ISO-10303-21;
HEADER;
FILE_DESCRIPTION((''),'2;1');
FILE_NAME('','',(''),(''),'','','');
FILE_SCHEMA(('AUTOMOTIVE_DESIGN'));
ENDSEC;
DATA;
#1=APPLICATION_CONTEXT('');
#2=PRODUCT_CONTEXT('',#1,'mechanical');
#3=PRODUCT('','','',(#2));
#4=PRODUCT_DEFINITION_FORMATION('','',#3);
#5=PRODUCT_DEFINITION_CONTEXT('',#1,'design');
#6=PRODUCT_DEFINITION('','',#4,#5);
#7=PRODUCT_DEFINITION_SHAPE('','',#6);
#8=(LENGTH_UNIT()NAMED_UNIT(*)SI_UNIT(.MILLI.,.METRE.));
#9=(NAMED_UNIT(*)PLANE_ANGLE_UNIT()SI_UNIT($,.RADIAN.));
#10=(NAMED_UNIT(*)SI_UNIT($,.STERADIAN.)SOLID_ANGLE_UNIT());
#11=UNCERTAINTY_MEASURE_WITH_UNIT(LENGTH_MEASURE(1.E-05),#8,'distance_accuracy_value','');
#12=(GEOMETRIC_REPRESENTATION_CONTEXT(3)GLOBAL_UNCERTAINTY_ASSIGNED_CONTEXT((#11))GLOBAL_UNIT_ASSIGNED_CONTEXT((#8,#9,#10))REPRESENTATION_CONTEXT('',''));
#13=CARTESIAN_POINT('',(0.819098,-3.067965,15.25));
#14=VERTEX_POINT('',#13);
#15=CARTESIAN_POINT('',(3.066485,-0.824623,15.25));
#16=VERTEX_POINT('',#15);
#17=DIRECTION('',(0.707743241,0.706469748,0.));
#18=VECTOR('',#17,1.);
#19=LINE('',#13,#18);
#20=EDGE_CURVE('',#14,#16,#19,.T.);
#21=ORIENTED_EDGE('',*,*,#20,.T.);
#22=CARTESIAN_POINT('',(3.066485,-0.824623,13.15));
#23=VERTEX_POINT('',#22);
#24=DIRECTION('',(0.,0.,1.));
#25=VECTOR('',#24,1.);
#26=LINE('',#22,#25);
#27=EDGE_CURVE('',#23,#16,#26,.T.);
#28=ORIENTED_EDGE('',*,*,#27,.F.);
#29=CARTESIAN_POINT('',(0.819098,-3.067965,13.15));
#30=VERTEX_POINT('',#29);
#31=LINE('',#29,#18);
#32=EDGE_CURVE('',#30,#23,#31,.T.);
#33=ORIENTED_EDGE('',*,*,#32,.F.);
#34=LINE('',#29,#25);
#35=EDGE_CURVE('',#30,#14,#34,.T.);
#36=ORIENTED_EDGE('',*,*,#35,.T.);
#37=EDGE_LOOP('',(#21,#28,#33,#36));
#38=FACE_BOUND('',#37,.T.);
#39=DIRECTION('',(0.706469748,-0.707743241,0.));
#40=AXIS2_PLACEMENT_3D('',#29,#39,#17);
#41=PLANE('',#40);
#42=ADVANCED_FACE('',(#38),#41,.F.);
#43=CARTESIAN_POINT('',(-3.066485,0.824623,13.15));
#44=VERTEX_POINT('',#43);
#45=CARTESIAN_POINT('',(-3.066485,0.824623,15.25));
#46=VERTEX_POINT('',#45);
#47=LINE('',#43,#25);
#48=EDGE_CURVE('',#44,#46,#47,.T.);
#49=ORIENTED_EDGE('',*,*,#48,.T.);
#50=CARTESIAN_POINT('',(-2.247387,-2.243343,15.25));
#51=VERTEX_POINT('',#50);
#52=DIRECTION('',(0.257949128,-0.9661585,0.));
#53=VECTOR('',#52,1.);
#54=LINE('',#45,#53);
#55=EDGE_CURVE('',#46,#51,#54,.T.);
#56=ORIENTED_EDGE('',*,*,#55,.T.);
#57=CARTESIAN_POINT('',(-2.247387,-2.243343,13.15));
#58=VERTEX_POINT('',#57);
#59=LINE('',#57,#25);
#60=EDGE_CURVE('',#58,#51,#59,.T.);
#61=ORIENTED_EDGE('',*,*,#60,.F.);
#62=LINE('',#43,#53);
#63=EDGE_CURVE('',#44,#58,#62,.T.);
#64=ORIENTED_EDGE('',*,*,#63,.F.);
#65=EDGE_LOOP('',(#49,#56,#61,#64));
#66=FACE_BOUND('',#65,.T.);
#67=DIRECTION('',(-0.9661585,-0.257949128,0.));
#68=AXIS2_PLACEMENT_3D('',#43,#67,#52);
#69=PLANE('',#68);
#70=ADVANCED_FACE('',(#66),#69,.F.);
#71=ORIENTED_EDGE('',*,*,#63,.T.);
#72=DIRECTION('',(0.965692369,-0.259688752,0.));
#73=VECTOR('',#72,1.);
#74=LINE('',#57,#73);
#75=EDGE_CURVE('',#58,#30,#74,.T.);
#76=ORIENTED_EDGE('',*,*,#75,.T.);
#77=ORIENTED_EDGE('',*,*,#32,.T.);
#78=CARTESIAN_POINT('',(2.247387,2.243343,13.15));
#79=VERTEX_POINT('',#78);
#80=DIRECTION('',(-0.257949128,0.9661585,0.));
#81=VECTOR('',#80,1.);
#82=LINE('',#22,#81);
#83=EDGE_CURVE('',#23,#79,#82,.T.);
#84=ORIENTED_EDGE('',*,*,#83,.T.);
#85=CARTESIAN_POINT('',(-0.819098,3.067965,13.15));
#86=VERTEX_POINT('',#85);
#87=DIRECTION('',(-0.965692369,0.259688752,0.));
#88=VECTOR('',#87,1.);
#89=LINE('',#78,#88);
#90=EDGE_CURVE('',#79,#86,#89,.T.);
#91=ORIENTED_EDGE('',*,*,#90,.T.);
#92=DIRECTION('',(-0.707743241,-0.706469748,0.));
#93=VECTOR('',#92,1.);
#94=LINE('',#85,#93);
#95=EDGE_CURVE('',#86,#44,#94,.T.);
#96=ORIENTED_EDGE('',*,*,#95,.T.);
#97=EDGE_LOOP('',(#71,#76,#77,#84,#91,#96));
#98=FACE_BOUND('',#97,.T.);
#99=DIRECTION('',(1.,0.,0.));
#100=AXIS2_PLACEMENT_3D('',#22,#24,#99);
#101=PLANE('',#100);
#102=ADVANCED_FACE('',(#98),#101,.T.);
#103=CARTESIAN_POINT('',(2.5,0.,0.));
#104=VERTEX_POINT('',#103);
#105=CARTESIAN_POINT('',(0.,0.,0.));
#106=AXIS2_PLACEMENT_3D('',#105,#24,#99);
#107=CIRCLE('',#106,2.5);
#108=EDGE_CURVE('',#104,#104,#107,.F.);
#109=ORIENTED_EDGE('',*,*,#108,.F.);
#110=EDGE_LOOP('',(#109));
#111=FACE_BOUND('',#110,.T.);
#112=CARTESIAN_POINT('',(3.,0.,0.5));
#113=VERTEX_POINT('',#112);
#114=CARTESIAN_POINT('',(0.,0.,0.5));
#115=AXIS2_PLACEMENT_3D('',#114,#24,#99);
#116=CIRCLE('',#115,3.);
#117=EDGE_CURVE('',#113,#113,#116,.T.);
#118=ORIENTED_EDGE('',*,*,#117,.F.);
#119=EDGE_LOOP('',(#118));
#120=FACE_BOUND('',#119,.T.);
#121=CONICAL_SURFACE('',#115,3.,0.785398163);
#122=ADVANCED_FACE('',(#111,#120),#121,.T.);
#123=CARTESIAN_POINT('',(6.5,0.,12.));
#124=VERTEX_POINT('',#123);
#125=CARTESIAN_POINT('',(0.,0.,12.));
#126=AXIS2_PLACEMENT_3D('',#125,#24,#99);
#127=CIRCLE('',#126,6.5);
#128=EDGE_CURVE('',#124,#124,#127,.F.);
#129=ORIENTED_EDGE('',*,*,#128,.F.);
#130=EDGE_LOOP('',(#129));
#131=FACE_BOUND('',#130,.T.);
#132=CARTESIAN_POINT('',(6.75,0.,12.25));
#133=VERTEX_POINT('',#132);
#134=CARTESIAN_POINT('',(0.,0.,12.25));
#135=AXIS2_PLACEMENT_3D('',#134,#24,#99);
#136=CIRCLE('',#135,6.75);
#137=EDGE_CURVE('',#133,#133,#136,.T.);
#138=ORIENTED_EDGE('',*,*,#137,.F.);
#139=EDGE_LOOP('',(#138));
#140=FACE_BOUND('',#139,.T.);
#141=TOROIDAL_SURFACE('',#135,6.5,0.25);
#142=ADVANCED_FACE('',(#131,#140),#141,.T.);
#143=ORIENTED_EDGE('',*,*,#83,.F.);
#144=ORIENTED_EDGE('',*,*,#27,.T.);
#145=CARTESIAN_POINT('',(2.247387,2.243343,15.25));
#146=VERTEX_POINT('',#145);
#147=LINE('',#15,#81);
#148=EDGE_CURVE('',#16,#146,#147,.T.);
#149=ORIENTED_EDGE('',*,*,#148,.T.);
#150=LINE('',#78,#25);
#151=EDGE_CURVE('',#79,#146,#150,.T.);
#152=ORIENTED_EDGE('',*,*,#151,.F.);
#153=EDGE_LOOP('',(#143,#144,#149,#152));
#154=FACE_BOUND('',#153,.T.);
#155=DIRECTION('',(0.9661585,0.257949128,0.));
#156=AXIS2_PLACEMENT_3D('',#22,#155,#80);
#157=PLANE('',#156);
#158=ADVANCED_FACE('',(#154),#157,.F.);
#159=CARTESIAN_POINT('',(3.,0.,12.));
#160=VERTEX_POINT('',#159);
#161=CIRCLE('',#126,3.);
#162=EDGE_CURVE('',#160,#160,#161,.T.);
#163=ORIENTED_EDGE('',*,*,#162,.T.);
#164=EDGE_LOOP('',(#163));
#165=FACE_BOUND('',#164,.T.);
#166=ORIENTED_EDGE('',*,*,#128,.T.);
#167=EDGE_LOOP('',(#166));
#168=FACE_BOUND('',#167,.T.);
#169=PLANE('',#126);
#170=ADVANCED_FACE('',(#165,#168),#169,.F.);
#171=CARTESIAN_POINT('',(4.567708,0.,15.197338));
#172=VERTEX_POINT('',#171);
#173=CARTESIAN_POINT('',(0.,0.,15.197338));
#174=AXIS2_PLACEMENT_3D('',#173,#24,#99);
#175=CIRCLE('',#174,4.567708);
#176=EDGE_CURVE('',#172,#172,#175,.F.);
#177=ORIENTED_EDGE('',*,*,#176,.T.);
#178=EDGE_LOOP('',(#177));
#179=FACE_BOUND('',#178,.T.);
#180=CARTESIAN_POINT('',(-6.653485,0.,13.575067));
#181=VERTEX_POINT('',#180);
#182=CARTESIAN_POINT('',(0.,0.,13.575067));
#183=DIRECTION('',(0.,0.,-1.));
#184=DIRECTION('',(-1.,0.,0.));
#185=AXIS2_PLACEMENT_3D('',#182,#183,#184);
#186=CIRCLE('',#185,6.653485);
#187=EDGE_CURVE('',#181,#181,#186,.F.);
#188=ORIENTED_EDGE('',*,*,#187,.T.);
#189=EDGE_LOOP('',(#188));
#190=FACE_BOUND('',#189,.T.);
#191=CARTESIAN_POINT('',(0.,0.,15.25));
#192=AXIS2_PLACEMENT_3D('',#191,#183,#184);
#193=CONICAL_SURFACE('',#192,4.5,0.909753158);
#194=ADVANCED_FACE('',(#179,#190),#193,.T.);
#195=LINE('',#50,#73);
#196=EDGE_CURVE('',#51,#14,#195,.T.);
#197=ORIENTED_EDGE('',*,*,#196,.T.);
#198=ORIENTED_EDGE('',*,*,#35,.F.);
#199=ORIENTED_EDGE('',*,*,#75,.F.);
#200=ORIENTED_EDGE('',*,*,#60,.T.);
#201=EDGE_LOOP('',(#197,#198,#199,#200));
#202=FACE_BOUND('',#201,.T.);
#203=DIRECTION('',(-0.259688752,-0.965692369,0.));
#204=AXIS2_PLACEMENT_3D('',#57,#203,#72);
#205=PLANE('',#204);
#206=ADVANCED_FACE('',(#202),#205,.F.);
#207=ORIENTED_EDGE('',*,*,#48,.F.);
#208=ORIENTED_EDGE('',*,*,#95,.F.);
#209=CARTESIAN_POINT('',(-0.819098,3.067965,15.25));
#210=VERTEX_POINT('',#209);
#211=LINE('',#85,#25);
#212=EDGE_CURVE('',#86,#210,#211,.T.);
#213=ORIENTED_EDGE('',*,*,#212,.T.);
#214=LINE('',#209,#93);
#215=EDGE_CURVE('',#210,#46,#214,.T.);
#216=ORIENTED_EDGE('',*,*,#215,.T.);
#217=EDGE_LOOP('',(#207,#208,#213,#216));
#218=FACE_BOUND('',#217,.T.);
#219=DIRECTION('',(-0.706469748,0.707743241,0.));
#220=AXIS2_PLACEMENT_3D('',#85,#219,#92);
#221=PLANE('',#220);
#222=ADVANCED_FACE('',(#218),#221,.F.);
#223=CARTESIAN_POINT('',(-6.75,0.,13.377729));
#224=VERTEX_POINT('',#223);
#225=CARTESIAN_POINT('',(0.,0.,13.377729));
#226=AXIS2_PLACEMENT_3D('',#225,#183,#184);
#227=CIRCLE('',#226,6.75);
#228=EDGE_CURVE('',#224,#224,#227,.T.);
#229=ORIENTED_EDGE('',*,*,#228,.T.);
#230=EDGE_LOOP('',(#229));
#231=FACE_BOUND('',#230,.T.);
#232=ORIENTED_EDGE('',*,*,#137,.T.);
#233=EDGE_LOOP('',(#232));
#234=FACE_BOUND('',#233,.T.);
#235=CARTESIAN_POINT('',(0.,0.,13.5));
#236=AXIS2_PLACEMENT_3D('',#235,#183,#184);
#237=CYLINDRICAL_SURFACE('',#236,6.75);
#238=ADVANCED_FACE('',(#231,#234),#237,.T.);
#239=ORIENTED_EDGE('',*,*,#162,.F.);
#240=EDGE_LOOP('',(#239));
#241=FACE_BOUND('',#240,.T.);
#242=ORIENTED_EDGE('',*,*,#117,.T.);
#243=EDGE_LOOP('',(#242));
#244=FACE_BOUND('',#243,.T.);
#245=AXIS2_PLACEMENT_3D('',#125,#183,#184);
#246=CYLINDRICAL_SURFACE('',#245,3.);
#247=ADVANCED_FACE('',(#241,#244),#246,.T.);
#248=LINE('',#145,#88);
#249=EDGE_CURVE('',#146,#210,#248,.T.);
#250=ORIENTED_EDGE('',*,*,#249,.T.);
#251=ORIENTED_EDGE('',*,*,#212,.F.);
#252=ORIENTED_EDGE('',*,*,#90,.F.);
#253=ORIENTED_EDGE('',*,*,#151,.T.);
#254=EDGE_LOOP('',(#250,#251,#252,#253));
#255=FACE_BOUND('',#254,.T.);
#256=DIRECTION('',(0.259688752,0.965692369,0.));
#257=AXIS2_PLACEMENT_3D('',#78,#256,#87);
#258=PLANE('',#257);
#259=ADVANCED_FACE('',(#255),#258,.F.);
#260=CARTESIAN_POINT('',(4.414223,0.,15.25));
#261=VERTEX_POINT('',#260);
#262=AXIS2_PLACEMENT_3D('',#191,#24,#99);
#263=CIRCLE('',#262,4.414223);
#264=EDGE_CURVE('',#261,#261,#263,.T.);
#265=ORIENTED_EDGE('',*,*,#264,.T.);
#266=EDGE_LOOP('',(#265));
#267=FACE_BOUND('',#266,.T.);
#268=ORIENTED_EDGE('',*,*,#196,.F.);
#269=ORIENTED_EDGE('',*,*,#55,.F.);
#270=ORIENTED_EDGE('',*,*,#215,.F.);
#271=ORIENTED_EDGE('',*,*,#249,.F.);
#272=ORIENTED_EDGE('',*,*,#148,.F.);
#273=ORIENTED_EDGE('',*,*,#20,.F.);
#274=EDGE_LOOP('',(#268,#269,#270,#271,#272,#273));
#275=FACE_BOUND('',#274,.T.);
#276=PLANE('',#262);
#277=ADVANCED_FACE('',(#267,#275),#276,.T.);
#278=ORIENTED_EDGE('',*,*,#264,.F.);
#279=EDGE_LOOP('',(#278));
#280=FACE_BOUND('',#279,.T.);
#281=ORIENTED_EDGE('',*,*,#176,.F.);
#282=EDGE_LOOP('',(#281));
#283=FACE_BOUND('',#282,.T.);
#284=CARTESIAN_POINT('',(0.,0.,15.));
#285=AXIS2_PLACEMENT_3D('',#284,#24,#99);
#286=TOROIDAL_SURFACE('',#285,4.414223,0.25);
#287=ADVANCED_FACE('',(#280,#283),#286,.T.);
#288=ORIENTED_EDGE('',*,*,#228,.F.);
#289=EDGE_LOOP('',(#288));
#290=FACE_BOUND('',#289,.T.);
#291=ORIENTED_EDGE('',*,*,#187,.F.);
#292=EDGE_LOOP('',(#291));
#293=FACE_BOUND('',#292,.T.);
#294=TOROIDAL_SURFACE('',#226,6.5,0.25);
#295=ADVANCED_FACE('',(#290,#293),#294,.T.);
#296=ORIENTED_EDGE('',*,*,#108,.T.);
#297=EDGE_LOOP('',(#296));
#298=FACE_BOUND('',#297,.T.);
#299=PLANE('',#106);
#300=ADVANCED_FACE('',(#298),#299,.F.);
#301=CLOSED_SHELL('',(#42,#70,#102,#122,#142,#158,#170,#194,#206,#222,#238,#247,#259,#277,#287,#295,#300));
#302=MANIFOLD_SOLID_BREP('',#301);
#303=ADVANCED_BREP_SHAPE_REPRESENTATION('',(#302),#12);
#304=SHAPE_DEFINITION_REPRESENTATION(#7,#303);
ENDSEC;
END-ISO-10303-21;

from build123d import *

# Parameters (mm, degrees)
SKETCH1_R           = 3
BOSS_EXTRUDE1_DEPTH = 12
SKETCH2_R           = 6.75
BOSS_EXTRUDE2_DEPTH = 1.5
SKETCH3_R           = 4.5
FILLET1_R           = 0.25
CUT_EXTRUDE1_DEPTH  = 2.1
CHAMFER2_SIZE       = 0.5


with BuildPart() as part:
    # Sketch1 → Boss-Extrude1 (new body)
    with BuildSketch(Plane.XY):
        Circle(SKETCH1_R)
    extrude(amount=BOSS_EXTRUDE1_DEPTH)

    # Sketch2 → Boss-Extrude2 (add)
    with BuildSketch(Plane.XY.offset(12)):
        Circle(SKETCH2_R)
    extrude(amount=BOSS_EXTRUDE2_DEPTH)

    # Sketch3 → section 1 of loft1
    with BuildSketch(Plane.XY.offset(15.25), mode=Mode.PRIVATE) as loft1_s1:
        Circle(SKETCH3_R)
    # loft up to a face of the part (loft1)
    loft([Face(Wire([part.edges().sort_by_distance((-4.620692965, 4.920538235, 13.5))[0]])), loft1_s1.sketch])

    # Fillet1
    fillet1_edges = [part.edges().sort_by_distance(p)[0] for p in [
        (-6.75, 0, 12),
        (-6.75, 0, 13.5),
        (-4.5, 0, 15.25),
    ]]
    fillet(fillet1_edges, radius=FILLET1_R)

    # Sketch6 → Cut-Extrude1 (cut)
    with BuildSketch(Plane.XY.offset(15.25)):
        Polygon((3.066485121, -0.824622541), (2.24738663, 2.243342745), (-0.819098491, 3.067965286), (-3.066485121, 0.824622541), (-2.24738663, -2.243342745), (0.819098491, -3.067965286), align=None)
    extrude(amount=-CUT_EXTRUDE1_DEPTH, mode=Mode.SUBTRACT)

    # Chamfer2
    chamfer2_edges = [part.edges().sort_by_distance(p)[0] for p in [
        (-3, 0, 0),
    ]]
    chamfer(chamfer2_edges, length=CHAMFER2_SIZE)


solid = part.part
